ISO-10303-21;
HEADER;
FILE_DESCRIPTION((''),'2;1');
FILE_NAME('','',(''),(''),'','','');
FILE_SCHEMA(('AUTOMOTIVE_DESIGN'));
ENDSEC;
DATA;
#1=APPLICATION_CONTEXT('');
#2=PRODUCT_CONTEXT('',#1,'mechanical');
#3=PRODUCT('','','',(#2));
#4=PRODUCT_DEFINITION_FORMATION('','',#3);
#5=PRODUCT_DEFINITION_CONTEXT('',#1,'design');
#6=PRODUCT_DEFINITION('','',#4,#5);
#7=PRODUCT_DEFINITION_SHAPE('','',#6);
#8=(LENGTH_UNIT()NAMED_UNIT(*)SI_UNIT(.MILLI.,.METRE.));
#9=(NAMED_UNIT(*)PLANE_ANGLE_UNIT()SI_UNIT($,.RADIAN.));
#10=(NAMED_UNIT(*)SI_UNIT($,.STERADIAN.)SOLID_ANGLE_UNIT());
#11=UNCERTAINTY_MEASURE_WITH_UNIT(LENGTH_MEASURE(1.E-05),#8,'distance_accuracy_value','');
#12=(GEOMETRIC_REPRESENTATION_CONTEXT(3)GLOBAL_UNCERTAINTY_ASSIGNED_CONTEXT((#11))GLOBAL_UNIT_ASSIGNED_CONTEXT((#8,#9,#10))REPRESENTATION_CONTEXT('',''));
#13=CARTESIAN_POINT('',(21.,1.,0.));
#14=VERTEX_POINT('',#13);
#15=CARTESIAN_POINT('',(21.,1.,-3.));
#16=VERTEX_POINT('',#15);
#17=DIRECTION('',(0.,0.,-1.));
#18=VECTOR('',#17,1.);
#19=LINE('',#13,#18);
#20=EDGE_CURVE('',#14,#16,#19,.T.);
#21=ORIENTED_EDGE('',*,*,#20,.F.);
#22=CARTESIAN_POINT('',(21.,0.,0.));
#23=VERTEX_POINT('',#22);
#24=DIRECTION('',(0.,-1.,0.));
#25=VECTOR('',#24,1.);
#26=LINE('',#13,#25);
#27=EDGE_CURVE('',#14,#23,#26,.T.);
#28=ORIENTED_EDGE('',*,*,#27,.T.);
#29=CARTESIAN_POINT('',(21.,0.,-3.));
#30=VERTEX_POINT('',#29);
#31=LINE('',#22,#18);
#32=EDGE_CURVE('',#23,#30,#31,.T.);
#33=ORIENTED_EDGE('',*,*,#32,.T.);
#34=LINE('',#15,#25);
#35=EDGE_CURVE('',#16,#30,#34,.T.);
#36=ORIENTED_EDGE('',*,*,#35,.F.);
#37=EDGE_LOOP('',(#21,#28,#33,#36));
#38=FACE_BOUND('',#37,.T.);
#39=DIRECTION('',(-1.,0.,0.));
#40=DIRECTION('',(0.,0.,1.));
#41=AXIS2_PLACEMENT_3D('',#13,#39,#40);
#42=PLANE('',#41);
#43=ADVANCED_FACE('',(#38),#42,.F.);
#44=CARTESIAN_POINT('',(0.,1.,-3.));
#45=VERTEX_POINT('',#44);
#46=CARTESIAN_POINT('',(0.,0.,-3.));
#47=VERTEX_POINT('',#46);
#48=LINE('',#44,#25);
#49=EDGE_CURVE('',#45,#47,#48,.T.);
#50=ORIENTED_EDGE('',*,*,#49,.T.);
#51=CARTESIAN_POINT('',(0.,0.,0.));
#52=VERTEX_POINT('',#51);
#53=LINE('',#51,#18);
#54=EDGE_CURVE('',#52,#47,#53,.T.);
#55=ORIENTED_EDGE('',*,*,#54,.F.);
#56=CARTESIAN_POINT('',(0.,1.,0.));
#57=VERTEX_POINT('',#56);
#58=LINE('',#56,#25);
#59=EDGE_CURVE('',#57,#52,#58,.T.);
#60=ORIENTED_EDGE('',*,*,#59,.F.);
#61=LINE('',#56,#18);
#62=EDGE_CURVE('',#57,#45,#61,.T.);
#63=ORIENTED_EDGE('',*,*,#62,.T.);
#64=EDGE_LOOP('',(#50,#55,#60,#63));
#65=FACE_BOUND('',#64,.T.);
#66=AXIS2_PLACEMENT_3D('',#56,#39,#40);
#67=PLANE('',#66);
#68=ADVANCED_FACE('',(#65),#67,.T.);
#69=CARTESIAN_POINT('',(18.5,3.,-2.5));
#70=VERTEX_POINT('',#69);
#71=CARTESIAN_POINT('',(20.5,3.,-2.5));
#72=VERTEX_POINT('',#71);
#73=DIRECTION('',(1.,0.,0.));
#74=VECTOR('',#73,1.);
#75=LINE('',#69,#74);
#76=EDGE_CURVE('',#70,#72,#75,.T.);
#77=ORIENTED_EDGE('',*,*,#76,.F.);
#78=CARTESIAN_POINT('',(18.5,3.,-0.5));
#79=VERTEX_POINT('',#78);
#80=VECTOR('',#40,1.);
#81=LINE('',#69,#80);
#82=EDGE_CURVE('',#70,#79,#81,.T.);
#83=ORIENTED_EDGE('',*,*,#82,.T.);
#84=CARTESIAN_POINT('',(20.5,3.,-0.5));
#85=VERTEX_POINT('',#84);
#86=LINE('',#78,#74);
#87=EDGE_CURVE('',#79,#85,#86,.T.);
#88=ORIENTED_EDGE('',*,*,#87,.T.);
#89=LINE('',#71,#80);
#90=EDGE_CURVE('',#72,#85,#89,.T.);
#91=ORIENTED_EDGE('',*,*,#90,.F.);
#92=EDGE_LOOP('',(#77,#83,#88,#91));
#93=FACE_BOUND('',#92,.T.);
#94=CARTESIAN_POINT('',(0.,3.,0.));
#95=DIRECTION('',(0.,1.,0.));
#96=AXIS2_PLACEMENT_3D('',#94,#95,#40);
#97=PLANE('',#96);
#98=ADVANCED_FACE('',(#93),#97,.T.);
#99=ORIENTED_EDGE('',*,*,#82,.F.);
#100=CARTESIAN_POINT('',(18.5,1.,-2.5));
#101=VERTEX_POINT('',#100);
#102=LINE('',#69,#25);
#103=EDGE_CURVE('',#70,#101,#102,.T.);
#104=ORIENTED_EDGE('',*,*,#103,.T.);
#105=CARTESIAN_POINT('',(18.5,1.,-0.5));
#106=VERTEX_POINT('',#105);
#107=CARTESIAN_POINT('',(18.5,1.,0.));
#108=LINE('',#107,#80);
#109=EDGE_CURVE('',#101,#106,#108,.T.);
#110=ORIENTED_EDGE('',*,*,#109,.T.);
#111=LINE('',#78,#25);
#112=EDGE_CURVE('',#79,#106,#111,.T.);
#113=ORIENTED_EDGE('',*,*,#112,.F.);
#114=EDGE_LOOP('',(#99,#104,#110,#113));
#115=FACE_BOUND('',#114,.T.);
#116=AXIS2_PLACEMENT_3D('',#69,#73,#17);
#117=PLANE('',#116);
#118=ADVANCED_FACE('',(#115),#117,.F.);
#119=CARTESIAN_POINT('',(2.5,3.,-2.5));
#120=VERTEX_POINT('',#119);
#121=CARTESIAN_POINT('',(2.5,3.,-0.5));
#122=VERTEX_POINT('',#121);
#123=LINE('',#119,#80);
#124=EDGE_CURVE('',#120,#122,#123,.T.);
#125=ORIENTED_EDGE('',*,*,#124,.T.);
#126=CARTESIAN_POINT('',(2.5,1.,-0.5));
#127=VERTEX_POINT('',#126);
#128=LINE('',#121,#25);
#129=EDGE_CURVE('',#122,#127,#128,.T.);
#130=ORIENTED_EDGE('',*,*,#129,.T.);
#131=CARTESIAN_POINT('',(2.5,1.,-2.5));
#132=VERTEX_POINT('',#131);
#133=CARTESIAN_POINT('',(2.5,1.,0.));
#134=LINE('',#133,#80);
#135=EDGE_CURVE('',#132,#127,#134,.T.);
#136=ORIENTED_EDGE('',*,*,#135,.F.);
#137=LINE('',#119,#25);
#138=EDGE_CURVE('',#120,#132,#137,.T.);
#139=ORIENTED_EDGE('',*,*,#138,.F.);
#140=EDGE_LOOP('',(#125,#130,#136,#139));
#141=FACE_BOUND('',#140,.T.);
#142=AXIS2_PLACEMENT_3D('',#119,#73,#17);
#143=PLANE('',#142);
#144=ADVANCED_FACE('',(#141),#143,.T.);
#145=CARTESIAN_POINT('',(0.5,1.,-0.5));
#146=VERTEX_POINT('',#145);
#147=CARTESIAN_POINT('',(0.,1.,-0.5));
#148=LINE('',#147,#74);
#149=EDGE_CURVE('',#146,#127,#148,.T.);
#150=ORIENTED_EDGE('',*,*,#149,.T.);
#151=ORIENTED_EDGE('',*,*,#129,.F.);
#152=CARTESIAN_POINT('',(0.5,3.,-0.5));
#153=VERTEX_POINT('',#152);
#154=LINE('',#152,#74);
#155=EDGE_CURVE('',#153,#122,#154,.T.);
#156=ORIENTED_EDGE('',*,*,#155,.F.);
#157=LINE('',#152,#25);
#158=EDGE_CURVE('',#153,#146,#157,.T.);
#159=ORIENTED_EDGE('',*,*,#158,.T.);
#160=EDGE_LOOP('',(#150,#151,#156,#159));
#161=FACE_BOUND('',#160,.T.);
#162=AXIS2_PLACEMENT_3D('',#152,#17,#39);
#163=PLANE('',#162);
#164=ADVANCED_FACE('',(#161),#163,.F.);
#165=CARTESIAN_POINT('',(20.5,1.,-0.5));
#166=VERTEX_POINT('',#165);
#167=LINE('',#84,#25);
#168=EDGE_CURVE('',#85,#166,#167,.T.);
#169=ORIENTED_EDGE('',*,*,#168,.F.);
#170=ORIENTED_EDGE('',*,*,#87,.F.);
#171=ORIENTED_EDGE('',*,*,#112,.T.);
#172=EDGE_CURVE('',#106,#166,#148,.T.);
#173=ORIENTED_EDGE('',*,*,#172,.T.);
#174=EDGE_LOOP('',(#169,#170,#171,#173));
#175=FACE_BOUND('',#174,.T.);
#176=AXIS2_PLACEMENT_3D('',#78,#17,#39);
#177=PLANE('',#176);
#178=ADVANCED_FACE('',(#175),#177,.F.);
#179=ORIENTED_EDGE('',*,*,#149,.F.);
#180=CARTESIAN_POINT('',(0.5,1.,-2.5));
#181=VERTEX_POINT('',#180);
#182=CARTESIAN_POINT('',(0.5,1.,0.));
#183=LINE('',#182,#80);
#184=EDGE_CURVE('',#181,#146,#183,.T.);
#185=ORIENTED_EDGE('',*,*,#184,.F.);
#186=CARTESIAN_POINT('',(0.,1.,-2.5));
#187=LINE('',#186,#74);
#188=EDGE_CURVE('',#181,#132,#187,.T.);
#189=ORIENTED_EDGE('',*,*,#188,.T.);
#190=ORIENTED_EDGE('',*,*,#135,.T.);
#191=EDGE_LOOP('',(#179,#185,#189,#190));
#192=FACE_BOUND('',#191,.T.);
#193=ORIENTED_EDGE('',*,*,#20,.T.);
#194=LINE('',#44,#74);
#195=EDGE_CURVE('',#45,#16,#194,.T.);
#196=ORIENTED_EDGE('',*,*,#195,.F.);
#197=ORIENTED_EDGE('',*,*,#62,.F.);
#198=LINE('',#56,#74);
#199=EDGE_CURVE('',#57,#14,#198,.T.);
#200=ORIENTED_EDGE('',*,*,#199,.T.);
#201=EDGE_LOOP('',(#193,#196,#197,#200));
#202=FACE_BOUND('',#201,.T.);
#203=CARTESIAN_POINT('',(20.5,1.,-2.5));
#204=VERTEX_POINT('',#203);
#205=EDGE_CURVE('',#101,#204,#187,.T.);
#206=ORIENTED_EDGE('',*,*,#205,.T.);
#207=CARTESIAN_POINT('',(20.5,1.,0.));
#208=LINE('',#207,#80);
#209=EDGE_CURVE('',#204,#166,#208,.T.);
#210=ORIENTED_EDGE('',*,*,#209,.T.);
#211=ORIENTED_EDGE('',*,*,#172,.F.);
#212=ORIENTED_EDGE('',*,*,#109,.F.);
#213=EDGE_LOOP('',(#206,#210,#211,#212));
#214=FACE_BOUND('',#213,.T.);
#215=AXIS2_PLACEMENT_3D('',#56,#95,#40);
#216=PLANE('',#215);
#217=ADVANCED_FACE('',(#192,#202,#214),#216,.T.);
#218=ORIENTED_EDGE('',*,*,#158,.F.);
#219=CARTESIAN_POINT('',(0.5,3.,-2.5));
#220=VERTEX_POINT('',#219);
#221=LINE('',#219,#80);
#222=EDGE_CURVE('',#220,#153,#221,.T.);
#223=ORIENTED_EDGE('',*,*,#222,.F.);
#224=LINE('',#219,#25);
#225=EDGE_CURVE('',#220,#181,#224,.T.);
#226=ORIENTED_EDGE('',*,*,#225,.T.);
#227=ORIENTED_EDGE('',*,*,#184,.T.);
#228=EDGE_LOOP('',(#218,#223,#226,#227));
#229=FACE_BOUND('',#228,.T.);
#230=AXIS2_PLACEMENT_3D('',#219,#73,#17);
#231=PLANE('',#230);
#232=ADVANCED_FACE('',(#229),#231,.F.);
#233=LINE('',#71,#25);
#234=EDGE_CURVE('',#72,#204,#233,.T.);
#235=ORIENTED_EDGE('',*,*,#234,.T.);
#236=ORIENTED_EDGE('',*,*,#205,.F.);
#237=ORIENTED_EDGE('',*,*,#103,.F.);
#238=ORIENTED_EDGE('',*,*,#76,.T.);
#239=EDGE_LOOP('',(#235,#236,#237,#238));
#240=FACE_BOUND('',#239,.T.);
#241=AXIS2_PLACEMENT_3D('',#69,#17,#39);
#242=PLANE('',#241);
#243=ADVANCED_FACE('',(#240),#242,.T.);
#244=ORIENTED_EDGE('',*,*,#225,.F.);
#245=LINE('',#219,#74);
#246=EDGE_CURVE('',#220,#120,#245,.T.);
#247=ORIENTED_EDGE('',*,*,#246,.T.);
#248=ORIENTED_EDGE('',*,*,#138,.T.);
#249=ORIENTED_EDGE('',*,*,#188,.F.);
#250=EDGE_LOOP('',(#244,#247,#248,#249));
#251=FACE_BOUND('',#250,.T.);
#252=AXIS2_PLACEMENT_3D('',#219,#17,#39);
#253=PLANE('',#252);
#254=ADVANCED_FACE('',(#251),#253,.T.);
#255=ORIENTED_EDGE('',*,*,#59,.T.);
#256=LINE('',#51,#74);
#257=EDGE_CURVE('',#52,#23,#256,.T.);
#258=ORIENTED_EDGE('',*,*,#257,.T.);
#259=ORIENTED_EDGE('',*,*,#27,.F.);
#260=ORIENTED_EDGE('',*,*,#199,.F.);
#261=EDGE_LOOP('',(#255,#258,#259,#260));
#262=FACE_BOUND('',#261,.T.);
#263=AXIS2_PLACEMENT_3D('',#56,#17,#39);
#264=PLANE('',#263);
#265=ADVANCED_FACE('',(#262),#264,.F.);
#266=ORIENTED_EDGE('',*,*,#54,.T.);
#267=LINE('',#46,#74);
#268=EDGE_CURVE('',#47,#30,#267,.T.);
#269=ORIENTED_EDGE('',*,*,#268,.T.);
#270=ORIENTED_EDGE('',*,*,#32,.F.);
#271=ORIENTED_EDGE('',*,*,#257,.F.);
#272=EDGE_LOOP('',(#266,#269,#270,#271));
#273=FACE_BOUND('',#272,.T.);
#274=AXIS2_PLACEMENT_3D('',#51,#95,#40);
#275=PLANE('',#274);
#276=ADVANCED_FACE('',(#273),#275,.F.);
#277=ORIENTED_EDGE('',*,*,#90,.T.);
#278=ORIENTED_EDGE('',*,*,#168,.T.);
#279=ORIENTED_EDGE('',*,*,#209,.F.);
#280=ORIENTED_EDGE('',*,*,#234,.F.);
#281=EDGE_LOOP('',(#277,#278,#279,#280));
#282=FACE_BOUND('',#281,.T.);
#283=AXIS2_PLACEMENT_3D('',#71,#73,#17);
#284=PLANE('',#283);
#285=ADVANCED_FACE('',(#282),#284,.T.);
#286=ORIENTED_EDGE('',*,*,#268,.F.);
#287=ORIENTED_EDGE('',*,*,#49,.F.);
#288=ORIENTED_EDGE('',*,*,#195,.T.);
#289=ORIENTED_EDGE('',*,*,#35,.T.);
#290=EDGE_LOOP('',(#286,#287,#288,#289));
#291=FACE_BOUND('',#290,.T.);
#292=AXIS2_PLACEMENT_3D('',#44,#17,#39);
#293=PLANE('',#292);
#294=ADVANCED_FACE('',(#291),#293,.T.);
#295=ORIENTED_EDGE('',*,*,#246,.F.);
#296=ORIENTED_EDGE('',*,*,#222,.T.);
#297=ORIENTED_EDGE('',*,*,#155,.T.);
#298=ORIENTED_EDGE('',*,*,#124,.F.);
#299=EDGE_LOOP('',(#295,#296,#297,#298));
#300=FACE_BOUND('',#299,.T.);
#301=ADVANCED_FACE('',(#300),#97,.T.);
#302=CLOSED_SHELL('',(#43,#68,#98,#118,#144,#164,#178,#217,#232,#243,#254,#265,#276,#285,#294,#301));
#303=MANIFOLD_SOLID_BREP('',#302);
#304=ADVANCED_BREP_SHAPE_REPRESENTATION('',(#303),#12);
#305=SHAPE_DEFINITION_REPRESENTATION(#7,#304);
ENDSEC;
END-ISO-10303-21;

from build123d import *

# Parameters (mm, degrees)
SKETCH1_W           = 21
SKETCH1_H           = 3
SKETCH1_W_2         = 2
SKETCH1_H_2         = 2
BOSS_EXTRUDE1_DEPTH = 1
SKETCH1_3_W         = 2
SKETCH1_3_H         = 2
BOSS_EXTRUDE2_DEPTH = 3


with BuildPart() as part:
    # Sketch1 → Boss-Extrude1 (new body)
    with BuildSketch(Plane(origin=(0, 0, 0), x_dir=(1, 0, 0), z_dir=(0, 1, 0))):
        with Locations((10.5, 1.5)):
            Rectangle(SKETCH1_W, SKETCH1_H)
        with Locations((1.5, 1.5)):
            Rectangle(SKETCH1_W_2, SKETCH1_H_2, mode=Mode.SUBTRACT)
        with Locations((19.5, 1.5)):
            Rectangle(SKETCH1_W_2, SKETCH1_H_2, mode=Mode.SUBTRACT)
    extrude(amount=BOSS_EXTRUDE1_DEPTH)

    # Sketch1<3> → Boss-Extrude2 (add)
    with BuildSketch(Plane(origin=(0, 0, 0), x_dir=(1, 0, 0), z_dir=(0, 1, 0))):
        with Locations((1.5, 1.5)):
            Rectangle(SKETCH1_3_W, SKETCH1_3_H)
        with Locations((19.5, 1.5)):
            Rectangle(SKETCH1_3_W, SKETCH1_3_H)
    extrude(amount=BOSS_EXTRUDE2_DEPTH)


solid = part.part
